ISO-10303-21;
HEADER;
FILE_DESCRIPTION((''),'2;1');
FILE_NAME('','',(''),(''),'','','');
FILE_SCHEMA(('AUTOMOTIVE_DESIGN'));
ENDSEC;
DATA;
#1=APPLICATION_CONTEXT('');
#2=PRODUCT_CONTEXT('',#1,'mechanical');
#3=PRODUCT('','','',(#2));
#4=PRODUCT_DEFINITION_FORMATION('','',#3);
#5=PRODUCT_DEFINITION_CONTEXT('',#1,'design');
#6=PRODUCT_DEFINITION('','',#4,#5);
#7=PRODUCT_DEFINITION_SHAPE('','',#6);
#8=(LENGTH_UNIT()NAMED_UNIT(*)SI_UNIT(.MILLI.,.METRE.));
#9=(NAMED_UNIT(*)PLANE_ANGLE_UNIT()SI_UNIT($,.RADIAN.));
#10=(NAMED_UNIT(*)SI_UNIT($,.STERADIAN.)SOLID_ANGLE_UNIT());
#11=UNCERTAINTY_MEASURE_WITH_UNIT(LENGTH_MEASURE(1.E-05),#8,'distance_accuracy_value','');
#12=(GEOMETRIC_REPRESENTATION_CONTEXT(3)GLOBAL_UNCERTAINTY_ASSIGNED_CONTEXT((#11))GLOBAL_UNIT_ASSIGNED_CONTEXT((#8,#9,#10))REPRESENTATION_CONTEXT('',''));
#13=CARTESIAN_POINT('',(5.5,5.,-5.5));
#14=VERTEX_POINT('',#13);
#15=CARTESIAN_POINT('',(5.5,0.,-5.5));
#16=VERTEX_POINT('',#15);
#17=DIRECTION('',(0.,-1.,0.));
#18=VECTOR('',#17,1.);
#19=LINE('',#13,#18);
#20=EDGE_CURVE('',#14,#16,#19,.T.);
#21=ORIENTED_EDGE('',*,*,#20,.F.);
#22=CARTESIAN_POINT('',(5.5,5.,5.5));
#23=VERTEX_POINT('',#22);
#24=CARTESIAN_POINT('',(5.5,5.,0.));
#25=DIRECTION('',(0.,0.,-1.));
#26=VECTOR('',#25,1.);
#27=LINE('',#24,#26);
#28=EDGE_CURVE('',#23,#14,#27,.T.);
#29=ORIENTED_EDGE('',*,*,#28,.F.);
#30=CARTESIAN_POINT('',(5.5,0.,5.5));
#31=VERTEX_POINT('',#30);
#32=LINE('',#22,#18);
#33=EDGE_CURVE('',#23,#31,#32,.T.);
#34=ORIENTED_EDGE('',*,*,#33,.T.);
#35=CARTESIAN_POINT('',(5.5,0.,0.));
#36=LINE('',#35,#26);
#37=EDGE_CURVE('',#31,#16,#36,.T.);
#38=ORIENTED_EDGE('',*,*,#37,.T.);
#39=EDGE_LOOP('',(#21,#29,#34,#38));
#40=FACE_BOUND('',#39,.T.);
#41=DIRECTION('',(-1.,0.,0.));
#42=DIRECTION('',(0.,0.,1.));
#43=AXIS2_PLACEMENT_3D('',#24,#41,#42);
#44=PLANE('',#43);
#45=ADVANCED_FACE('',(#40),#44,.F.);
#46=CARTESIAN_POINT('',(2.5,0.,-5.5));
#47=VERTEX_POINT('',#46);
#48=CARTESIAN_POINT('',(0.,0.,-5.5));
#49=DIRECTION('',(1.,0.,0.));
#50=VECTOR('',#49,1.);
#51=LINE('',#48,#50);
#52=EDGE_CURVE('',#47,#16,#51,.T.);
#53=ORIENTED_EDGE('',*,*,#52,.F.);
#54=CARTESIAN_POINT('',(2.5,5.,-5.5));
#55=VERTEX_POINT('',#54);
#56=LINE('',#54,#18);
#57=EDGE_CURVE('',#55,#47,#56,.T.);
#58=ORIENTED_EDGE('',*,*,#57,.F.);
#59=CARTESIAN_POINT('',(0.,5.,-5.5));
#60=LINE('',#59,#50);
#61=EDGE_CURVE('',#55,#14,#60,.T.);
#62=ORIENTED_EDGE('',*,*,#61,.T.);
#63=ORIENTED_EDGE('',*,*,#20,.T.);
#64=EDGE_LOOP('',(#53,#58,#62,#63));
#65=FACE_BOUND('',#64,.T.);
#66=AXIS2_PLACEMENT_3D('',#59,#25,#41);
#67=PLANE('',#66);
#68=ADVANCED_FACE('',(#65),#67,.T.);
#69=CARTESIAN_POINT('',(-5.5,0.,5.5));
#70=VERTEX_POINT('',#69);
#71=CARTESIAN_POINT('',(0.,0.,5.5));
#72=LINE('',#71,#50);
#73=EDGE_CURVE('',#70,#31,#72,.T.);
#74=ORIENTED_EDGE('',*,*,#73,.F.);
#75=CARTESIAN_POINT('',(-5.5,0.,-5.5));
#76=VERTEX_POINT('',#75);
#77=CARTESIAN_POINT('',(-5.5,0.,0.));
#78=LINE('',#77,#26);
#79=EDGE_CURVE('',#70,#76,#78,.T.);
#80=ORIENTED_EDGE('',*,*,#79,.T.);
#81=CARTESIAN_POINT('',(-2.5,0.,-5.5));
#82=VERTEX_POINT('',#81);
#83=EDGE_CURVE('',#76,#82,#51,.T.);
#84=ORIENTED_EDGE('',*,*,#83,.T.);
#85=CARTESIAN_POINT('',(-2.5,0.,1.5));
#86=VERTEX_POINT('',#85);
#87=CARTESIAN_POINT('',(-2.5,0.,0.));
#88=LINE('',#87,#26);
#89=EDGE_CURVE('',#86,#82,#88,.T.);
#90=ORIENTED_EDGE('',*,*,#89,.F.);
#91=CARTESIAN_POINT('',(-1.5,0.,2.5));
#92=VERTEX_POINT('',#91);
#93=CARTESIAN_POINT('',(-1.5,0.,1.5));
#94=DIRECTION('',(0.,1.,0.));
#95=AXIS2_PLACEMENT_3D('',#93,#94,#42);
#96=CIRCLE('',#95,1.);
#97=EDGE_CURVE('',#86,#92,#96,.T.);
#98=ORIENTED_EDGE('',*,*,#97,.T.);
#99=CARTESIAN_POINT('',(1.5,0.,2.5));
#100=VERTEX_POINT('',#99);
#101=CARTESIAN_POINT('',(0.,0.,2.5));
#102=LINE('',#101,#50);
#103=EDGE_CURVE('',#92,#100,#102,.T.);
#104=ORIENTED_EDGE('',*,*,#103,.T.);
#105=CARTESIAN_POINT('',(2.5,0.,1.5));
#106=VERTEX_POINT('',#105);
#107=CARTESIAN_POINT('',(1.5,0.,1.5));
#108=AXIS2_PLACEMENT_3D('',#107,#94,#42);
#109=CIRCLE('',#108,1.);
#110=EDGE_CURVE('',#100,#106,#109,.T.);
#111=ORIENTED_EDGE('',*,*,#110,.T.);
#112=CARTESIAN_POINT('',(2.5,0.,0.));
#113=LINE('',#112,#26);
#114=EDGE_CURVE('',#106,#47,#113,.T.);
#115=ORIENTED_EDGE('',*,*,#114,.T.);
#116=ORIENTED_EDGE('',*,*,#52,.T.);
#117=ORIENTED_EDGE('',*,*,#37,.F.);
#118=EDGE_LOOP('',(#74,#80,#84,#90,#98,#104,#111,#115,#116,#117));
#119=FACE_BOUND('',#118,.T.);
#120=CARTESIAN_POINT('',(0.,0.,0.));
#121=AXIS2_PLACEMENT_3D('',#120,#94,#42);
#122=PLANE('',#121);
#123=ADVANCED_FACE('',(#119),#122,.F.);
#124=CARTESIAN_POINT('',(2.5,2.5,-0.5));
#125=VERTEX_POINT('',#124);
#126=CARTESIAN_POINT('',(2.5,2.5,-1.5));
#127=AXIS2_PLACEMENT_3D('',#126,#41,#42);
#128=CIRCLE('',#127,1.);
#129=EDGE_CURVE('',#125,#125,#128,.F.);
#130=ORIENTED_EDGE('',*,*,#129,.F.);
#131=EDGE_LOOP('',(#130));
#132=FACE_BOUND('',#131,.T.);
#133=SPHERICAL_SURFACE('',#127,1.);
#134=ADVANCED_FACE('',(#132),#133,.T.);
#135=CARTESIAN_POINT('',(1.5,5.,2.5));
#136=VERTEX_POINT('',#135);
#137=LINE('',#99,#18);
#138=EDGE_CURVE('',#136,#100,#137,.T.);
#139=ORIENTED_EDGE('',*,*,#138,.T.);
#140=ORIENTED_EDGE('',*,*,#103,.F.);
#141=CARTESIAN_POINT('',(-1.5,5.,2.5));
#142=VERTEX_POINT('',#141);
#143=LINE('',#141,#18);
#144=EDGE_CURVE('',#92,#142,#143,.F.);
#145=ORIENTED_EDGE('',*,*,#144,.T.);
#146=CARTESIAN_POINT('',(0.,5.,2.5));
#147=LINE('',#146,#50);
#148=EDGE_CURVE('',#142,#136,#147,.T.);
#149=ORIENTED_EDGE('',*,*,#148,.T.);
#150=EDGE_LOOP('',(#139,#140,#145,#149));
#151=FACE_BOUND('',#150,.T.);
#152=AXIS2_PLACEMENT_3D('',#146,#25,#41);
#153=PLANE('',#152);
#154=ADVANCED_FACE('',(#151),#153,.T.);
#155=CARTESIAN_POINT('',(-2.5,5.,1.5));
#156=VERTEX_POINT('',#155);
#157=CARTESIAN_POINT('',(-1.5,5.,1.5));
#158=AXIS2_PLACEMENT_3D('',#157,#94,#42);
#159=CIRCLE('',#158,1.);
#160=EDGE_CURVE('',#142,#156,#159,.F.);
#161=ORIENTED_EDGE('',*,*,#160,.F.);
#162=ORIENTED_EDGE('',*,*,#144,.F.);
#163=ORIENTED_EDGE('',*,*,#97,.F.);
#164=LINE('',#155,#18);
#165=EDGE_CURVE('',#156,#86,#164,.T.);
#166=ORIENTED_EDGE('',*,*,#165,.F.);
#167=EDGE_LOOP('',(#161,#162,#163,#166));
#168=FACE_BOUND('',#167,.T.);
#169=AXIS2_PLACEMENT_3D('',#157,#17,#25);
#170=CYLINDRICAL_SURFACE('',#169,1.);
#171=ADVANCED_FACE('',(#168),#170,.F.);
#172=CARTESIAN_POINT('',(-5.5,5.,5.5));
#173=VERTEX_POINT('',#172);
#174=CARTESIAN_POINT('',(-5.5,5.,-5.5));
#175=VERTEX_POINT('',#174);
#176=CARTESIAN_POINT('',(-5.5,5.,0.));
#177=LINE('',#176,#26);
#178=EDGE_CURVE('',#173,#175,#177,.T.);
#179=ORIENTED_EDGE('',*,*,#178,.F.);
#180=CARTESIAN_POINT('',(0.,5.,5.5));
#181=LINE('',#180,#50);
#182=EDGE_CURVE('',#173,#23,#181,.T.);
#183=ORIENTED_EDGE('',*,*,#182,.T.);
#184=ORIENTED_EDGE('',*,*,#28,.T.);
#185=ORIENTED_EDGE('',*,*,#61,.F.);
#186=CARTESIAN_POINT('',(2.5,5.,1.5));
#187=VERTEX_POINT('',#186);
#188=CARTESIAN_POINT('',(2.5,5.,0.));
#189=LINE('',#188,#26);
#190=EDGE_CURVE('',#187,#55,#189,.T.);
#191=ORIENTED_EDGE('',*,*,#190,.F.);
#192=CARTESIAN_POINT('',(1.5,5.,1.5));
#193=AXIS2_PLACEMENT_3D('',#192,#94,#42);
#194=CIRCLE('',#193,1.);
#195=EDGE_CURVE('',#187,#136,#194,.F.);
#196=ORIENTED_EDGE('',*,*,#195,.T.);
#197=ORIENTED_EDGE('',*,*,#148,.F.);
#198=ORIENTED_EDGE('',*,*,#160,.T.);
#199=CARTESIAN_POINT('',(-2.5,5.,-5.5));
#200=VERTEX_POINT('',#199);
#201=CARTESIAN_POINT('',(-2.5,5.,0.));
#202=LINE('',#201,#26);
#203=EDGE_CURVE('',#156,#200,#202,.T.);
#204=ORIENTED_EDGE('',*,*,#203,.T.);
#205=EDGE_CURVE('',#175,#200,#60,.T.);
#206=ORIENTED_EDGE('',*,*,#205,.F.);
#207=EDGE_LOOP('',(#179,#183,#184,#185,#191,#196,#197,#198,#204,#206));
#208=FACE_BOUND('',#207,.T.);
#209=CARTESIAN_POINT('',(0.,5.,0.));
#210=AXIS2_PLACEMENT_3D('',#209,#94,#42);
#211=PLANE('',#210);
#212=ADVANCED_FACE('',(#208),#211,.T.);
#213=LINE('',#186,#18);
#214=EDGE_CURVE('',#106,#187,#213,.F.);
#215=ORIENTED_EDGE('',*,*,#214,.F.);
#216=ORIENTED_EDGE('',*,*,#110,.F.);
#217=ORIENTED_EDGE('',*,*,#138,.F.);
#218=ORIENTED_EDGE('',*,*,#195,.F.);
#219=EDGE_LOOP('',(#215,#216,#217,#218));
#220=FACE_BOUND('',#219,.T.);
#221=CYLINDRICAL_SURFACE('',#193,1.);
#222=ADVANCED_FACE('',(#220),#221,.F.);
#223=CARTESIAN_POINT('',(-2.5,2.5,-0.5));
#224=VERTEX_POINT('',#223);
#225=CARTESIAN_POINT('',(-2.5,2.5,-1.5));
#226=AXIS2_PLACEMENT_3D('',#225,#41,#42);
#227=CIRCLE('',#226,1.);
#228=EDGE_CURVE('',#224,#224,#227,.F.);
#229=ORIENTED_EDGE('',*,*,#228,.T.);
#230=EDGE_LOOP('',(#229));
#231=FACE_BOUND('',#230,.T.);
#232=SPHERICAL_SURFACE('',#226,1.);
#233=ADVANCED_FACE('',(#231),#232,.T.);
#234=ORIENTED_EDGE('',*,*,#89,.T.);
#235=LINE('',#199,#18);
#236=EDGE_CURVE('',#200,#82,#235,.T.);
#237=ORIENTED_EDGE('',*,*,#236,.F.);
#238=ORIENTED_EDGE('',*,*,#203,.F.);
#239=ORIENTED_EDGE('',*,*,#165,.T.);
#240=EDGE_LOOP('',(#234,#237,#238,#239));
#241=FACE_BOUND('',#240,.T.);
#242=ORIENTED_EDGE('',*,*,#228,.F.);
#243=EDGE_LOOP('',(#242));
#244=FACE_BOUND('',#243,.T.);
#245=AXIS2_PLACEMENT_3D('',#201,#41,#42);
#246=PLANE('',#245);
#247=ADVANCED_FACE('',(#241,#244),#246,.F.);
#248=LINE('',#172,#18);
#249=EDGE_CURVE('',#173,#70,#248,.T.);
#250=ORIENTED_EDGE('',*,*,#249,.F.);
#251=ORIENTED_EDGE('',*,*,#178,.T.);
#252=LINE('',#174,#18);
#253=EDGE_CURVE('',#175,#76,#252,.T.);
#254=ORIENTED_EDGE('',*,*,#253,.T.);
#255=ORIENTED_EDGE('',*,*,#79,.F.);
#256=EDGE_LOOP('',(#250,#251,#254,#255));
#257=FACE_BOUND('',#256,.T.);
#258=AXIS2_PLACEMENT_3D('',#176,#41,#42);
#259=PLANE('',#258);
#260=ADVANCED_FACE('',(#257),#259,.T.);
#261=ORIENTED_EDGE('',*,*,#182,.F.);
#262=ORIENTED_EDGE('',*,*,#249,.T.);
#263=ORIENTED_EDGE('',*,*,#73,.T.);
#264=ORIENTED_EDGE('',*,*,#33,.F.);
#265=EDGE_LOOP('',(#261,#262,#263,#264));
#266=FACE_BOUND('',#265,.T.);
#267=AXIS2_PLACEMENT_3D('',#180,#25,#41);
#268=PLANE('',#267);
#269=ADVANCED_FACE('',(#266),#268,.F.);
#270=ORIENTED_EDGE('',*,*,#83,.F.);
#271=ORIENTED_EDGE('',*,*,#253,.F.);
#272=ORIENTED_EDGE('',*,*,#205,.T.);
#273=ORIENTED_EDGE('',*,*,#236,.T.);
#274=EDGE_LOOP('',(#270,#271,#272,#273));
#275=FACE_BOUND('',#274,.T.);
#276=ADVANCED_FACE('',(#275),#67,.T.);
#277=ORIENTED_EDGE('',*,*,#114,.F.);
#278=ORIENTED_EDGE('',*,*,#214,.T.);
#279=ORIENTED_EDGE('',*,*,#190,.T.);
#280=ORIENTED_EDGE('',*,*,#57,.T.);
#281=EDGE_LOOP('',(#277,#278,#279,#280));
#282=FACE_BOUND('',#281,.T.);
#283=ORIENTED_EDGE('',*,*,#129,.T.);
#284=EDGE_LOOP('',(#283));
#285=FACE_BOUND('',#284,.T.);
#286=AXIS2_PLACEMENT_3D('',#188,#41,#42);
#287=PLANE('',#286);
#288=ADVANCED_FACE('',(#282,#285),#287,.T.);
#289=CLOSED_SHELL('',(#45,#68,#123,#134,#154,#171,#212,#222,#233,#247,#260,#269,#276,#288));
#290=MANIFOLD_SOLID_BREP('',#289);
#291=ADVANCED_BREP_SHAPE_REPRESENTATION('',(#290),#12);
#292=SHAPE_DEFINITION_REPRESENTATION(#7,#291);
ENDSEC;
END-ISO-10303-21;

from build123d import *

# Parameters (mm, degrees)
BOSS_EXTRUDE1_DEPTH = 5
FILLET1_R           = 1


with BuildPart() as part:
    # Sketch1 → Boss-Extrude1 (new body)
    with BuildSketch(Plane(origin=(0, 0, 0), x_dir=(1, 0, 0), z_dir=(0, 1, 0))):
        Polygon((-5.5, 5.5), (-5.5, -5.5), (5.5, -5.5), (5.5, 5.5), (2.5, 5.5), (2.5, 2.5), (2.5, -2.5), (-2.5, -2.5), (-2.5, 2.5), (-2.5, 5.5), align=None)
    extrude(amount=BOSS_EXTRUDE1_DEPTH)

    # Sketch2 → Revolve1 (revolve)
    with BuildSketch(Plane(origin=(-2.5, 0, 0), x_dir=(0, 0, -1), z_dir=(1, 0, 0))):
        with BuildLine():
            Line((2.5, 2.5), (0.5, 2.5))
            ThreePointArc((0.5, 2.5), (1.5, 1.5), (2.5, 2.5))
        make_face()
    revolve1 = revolve(axis=Axis((-2.5, 2.5, -5.5), (0, 0, 1)))

    # Mirror1: Revolve1 across plane
    add(revolve1.mirror(Plane(origin=(0, 0, 0), x_dir=(0, 0, 1), z_dir=(1, 0, 0))))

    # Fillet1
    fillet1_edges = [part.edges().sort_by_distance(p)[0] for p in [
        (-2.5, 2.5, 2.5),
        (2.5, 2.5, 2.5),
    ]]
    fillet(fillet1_edges, radius=FILLET1_R)


solid = part.part
